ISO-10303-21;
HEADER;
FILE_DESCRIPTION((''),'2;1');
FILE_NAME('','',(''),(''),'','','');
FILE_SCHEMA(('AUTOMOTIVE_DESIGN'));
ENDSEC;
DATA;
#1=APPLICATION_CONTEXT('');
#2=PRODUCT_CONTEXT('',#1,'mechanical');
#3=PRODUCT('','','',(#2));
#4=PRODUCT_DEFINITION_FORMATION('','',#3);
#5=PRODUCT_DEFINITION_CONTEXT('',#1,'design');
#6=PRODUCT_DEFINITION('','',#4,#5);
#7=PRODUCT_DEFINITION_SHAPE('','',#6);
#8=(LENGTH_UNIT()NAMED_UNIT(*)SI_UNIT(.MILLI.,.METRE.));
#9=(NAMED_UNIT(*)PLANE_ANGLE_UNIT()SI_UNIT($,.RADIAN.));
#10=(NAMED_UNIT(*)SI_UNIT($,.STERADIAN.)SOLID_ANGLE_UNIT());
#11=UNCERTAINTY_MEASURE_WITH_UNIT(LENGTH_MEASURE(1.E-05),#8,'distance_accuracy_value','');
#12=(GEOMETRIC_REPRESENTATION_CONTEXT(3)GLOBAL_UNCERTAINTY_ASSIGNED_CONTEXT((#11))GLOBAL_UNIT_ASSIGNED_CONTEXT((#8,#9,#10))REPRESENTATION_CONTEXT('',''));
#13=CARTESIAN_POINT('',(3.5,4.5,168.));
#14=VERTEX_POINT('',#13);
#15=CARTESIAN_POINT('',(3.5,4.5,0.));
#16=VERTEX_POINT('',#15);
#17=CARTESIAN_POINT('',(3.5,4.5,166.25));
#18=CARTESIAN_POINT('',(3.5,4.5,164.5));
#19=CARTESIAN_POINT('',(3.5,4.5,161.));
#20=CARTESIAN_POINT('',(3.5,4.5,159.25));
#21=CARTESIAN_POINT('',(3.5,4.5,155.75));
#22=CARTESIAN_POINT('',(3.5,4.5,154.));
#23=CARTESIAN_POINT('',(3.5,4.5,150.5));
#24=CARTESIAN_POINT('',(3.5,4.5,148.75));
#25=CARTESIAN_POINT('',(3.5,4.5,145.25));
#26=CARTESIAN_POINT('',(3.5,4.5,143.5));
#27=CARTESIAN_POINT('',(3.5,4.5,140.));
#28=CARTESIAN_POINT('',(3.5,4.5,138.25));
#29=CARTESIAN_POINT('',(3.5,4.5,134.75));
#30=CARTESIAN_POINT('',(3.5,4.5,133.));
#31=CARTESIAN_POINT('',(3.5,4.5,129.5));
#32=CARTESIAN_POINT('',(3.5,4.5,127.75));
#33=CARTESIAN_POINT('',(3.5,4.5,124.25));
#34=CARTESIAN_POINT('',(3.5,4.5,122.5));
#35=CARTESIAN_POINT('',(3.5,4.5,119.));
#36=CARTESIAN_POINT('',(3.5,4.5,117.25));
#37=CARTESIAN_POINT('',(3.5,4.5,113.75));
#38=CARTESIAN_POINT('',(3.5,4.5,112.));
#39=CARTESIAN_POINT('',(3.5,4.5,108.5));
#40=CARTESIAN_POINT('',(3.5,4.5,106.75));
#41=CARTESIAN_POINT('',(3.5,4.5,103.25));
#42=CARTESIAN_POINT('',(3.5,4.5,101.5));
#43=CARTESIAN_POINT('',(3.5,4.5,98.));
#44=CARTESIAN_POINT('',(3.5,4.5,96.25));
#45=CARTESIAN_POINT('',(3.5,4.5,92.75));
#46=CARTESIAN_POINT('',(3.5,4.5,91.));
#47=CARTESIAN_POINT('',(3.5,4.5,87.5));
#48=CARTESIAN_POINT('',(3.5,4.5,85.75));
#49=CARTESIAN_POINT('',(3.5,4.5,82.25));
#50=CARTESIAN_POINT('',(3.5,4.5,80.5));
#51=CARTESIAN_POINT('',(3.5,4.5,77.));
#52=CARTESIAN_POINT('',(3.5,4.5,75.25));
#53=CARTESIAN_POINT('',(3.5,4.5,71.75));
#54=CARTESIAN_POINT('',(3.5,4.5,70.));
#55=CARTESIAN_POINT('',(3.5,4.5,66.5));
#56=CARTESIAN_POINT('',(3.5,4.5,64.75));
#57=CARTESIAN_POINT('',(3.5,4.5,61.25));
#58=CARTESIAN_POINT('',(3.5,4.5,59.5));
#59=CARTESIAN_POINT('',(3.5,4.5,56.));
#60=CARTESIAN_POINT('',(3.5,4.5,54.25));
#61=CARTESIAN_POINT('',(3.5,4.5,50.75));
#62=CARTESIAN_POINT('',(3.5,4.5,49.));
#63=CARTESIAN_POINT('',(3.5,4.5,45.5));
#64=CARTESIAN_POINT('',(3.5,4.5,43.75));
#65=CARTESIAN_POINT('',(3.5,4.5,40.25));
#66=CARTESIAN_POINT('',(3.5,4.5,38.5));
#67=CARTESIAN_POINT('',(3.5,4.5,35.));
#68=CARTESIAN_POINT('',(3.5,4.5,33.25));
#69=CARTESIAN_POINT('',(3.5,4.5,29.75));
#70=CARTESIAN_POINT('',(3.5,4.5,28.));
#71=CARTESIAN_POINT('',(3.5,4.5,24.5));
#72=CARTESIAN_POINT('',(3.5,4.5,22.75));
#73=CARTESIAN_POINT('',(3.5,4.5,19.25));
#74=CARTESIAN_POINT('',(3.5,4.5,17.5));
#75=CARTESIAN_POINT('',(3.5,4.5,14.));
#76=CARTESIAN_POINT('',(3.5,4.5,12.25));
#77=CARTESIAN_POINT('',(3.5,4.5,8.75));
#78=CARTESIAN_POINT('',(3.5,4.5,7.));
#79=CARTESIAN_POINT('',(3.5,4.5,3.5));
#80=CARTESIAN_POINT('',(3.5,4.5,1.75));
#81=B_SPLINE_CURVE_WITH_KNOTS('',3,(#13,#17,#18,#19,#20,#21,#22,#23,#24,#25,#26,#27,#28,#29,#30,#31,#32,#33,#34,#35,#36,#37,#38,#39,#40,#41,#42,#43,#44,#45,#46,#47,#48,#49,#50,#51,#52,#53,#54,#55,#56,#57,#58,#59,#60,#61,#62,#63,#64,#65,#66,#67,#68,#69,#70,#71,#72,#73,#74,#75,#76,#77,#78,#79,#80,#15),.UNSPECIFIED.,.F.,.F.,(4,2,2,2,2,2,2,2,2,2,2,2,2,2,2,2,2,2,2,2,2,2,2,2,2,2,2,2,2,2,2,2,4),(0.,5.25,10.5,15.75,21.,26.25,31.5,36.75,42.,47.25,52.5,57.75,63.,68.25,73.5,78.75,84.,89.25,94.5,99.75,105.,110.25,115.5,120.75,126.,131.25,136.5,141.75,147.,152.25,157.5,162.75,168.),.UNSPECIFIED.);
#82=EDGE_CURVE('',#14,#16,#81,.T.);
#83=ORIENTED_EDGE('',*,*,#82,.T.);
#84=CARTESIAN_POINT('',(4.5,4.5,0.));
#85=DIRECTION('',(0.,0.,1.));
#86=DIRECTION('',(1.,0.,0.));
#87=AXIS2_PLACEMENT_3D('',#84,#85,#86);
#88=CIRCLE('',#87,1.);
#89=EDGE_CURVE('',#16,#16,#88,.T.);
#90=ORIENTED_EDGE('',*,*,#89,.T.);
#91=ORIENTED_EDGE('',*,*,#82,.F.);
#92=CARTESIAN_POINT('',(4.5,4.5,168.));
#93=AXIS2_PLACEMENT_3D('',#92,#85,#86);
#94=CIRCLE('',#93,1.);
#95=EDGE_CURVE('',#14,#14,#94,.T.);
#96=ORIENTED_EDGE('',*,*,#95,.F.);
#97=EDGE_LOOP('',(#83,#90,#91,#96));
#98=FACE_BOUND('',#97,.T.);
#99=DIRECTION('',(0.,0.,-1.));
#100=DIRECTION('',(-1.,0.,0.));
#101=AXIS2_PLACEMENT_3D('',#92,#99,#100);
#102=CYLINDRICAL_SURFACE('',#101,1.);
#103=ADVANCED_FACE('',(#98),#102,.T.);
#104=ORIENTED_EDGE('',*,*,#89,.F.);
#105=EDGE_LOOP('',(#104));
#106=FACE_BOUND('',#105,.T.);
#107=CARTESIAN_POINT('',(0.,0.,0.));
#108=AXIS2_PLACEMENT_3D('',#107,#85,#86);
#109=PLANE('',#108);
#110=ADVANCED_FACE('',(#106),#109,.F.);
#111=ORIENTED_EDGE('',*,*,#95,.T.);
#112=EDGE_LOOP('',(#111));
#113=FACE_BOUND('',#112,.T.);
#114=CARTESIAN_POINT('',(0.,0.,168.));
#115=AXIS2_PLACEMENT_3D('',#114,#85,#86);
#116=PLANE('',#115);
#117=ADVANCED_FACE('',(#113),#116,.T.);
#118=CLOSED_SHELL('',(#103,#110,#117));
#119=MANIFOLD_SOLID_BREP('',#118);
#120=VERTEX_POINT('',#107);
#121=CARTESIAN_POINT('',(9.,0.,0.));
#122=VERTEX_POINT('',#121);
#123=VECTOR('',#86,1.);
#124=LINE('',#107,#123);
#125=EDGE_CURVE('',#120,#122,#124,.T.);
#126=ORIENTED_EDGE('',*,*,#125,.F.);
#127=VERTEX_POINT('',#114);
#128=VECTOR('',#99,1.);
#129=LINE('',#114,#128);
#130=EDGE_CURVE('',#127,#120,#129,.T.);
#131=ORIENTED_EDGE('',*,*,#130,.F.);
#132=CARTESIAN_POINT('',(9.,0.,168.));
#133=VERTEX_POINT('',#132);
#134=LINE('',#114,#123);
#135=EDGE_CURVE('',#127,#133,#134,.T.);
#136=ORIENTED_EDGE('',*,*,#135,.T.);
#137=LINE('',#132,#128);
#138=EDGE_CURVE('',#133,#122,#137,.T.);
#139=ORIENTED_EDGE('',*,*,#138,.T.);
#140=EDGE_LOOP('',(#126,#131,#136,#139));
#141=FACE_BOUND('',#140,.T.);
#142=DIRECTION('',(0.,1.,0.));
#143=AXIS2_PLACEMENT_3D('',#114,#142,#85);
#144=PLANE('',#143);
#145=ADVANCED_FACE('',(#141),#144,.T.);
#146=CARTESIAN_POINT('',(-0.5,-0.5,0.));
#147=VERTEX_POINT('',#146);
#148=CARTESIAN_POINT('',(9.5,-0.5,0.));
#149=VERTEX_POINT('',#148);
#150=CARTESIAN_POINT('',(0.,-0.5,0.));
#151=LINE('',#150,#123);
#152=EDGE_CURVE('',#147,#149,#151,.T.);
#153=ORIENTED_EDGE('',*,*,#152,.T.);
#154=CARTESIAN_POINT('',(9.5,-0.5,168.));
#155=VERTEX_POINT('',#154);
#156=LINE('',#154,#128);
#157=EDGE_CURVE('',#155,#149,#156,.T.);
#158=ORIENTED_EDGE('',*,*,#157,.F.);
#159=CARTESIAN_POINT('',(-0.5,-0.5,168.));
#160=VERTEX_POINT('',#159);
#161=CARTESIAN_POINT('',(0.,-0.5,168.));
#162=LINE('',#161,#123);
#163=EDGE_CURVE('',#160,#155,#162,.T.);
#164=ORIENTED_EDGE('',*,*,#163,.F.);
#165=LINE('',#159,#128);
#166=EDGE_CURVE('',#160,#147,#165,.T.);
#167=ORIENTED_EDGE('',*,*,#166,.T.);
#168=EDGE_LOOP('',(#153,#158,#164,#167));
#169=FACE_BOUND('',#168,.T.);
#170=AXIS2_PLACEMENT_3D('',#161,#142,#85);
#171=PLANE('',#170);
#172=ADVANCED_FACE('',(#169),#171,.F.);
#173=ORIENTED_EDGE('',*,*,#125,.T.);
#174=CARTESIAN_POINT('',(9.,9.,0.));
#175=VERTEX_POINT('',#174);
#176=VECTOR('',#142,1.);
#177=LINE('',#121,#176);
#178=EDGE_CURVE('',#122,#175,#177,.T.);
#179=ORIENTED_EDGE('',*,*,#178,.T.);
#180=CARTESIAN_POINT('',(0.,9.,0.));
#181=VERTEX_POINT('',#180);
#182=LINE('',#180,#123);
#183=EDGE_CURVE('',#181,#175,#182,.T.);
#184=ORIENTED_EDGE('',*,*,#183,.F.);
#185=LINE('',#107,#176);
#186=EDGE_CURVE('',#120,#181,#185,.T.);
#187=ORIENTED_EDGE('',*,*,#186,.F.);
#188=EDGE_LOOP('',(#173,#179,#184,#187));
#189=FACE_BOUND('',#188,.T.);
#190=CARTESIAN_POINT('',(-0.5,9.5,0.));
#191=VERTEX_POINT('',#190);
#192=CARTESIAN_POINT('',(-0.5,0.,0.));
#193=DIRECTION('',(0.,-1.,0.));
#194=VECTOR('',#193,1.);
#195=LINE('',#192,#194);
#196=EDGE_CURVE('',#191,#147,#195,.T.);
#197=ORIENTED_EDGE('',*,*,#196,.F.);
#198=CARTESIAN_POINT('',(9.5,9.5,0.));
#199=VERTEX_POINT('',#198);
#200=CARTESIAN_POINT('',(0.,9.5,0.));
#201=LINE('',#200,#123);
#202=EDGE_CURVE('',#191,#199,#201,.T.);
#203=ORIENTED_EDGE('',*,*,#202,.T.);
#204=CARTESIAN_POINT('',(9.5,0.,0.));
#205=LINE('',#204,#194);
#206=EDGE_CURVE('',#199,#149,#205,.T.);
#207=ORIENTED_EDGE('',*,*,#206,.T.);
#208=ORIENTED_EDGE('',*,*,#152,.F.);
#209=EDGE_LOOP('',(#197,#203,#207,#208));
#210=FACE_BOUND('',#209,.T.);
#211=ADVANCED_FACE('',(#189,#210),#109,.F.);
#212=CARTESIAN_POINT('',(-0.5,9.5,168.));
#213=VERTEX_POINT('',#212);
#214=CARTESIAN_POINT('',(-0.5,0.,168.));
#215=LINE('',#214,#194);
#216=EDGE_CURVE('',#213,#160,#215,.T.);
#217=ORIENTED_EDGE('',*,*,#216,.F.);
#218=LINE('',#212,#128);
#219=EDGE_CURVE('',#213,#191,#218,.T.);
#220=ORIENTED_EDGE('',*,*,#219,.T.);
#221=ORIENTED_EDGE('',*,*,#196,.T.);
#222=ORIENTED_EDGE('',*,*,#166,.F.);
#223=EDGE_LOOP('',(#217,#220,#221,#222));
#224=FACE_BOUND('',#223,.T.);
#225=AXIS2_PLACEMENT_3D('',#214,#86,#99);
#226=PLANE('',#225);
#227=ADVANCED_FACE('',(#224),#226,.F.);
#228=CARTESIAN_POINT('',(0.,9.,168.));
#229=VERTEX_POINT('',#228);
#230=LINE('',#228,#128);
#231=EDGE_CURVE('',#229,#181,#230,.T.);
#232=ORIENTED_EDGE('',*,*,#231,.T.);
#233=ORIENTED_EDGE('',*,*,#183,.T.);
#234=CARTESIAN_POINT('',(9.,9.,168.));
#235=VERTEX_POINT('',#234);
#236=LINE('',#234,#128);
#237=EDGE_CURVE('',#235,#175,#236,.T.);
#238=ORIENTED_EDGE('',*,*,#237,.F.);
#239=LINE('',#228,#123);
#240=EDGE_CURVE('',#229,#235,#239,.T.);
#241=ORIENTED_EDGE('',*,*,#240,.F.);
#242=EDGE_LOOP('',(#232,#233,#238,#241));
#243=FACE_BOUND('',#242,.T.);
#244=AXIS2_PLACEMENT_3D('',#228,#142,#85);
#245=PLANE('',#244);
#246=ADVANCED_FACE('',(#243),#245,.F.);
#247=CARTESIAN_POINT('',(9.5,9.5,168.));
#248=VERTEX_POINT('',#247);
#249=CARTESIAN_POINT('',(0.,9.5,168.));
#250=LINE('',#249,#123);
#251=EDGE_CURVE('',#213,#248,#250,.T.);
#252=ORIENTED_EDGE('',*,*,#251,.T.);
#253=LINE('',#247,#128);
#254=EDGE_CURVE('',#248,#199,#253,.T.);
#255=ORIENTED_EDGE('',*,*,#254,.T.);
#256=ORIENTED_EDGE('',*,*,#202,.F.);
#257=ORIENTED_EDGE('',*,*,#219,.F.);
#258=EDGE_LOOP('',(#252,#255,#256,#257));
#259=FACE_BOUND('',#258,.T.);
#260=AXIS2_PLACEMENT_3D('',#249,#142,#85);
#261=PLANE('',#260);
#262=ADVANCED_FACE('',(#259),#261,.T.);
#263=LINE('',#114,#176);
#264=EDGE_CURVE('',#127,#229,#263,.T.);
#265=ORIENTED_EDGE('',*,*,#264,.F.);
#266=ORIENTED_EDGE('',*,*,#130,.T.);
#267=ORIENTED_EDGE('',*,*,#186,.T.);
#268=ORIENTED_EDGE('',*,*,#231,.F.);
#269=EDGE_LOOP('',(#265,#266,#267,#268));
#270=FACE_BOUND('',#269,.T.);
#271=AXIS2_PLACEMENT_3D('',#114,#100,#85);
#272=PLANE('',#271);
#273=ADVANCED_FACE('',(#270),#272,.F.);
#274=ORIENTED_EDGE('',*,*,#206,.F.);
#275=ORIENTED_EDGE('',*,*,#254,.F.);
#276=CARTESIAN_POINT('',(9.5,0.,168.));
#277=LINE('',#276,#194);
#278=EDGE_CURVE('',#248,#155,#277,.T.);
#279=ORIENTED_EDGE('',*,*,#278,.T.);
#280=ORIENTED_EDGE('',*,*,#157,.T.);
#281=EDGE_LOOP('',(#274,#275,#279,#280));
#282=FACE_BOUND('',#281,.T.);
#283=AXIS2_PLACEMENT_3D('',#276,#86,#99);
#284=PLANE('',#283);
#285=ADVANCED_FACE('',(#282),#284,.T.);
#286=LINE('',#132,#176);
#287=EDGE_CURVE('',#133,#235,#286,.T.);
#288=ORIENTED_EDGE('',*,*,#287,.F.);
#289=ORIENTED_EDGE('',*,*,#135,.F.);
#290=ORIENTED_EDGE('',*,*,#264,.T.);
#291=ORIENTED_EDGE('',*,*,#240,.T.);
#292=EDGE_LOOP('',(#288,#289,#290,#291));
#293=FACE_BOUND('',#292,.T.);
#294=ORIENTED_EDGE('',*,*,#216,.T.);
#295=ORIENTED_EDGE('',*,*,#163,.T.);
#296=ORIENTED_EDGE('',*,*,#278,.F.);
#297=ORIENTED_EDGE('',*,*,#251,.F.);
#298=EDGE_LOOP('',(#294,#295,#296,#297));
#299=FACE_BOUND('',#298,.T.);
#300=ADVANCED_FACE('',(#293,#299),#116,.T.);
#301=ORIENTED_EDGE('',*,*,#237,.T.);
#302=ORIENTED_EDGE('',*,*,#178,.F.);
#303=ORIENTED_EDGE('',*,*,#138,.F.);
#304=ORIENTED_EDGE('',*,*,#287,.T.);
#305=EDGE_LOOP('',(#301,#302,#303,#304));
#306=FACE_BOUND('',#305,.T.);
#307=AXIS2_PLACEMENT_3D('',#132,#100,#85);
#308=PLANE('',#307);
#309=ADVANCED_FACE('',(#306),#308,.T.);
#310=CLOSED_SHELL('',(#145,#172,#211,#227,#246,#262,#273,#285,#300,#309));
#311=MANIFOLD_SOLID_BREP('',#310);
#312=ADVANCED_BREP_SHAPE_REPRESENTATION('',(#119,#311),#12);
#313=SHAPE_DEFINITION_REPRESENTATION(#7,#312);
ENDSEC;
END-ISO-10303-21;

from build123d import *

# Parameters (mm, degrees)
SKETCH1_W             = 10
SKETCH1_H             = 10
SKETCH1_W_2           = 9
SKETCH1_H_2           = 9
BOSS_EXTRUDE1_DEPTH   = 168
SKETCH1_R             = 1
BOSS_EXTRUDE1_2_DEPTH = 168


with BuildPart() as part:
    # Sketch1 → Boss-Extrude1 (new body)
    with BuildSketch(Plane.XY):
        with Locations((4.5, 4.5)):
            Rectangle(SKETCH1_W, SKETCH1_H)
        with Locations((4.5, 4.5)):
            Rectangle(SKETCH1_W_2, SKETCH1_H_2, mode=Mode.SUBTRACT)
    extrude(amount=BOSS_EXTRUDE1_DEPTH)


with BuildPart() as body_2:
    # Sketch1 → Boss-Extrude1 2 (new body)
    with BuildSketch(Plane.XY):
        with Locations(Location((4.5, 4.5, 0), (0, 0, 180))):
            Circle(SKETCH1_R)
    extrude(amount=BOSS_EXTRUDE1_2_DEPTH)


solid = Compound([part.part, body_2.part])
